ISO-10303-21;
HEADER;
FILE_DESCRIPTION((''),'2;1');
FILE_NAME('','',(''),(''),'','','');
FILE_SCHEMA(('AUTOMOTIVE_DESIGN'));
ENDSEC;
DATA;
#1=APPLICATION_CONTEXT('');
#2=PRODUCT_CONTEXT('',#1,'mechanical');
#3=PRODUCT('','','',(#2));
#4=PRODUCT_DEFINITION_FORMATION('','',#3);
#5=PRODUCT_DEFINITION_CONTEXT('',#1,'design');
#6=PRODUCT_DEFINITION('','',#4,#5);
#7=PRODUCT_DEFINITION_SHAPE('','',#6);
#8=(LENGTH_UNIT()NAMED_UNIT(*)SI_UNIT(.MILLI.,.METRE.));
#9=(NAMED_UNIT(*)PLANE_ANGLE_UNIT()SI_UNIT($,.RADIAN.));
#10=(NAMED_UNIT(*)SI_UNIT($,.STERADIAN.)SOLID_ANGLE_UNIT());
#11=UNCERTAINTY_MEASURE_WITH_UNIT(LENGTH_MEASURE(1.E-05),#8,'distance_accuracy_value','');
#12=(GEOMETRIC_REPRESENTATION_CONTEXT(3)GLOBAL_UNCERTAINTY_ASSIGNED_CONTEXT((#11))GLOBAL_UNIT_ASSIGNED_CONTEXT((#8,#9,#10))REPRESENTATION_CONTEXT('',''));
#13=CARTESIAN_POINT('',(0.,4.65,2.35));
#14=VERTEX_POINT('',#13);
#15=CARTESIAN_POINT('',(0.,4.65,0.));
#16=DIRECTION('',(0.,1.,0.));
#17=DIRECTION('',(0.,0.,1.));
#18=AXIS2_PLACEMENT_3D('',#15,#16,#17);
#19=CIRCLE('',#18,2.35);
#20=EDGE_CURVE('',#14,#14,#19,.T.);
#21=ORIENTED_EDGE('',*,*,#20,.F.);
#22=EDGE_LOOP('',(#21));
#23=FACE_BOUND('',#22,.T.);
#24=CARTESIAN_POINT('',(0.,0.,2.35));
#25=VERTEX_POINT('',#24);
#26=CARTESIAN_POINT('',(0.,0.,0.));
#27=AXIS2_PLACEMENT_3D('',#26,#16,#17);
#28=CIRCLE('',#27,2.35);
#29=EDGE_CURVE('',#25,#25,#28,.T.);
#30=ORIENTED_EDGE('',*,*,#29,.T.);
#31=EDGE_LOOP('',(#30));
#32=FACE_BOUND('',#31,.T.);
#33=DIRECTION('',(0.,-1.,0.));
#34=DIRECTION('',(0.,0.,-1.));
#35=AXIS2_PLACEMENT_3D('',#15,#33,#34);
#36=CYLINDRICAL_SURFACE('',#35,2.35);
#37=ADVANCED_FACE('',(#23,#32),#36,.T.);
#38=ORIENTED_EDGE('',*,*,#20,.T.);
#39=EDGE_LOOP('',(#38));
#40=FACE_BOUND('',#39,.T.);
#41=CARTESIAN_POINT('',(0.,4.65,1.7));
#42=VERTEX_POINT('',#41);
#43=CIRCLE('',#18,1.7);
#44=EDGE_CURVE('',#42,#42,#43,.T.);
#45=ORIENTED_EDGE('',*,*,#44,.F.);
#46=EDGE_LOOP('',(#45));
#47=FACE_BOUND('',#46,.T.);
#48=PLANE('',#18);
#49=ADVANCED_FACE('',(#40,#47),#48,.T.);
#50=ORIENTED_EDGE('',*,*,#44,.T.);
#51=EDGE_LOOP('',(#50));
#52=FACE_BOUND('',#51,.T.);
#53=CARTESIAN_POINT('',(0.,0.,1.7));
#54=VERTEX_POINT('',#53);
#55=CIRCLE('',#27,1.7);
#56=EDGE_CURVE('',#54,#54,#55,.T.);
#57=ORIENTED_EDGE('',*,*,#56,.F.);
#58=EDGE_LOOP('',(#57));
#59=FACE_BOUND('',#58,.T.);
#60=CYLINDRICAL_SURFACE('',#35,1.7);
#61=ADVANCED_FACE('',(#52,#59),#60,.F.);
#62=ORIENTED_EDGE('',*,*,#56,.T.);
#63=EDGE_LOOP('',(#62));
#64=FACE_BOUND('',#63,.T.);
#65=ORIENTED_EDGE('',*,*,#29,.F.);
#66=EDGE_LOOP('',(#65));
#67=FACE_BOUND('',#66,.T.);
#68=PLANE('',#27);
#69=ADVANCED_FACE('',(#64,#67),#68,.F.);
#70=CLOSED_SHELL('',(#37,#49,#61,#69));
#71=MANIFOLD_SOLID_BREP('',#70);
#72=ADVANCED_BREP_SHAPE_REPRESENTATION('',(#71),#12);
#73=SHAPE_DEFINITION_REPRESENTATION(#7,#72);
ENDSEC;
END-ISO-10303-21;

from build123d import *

# Parameters (mm, degrees)
ESQUISSE2_R        = 2.35
ESQUISSE2_R_2      = 1.7
BOSS_EXTRU_1_DEPTH = 4.65


with BuildPart() as part:
    # Esquisse2 → Boss.-Extru.1 (new body)
    with BuildSketch(Plane(origin=(0, 0, 0), x_dir=(1, 0, 0), z_dir=(0, 1, 0))):
        with Locations(Location((0, 0, 0), (0, 0, 270))):
            Circle(ESQUISSE2_R)
        with Locations(Location((0, 0, 0), (0, 0, 270))):
            Circle(ESQUISSE2_R_2, mode=Mode.SUBTRACT)
    extrude(amount=BOSS_EXTRU_1_DEPTH)


solid = part.part
